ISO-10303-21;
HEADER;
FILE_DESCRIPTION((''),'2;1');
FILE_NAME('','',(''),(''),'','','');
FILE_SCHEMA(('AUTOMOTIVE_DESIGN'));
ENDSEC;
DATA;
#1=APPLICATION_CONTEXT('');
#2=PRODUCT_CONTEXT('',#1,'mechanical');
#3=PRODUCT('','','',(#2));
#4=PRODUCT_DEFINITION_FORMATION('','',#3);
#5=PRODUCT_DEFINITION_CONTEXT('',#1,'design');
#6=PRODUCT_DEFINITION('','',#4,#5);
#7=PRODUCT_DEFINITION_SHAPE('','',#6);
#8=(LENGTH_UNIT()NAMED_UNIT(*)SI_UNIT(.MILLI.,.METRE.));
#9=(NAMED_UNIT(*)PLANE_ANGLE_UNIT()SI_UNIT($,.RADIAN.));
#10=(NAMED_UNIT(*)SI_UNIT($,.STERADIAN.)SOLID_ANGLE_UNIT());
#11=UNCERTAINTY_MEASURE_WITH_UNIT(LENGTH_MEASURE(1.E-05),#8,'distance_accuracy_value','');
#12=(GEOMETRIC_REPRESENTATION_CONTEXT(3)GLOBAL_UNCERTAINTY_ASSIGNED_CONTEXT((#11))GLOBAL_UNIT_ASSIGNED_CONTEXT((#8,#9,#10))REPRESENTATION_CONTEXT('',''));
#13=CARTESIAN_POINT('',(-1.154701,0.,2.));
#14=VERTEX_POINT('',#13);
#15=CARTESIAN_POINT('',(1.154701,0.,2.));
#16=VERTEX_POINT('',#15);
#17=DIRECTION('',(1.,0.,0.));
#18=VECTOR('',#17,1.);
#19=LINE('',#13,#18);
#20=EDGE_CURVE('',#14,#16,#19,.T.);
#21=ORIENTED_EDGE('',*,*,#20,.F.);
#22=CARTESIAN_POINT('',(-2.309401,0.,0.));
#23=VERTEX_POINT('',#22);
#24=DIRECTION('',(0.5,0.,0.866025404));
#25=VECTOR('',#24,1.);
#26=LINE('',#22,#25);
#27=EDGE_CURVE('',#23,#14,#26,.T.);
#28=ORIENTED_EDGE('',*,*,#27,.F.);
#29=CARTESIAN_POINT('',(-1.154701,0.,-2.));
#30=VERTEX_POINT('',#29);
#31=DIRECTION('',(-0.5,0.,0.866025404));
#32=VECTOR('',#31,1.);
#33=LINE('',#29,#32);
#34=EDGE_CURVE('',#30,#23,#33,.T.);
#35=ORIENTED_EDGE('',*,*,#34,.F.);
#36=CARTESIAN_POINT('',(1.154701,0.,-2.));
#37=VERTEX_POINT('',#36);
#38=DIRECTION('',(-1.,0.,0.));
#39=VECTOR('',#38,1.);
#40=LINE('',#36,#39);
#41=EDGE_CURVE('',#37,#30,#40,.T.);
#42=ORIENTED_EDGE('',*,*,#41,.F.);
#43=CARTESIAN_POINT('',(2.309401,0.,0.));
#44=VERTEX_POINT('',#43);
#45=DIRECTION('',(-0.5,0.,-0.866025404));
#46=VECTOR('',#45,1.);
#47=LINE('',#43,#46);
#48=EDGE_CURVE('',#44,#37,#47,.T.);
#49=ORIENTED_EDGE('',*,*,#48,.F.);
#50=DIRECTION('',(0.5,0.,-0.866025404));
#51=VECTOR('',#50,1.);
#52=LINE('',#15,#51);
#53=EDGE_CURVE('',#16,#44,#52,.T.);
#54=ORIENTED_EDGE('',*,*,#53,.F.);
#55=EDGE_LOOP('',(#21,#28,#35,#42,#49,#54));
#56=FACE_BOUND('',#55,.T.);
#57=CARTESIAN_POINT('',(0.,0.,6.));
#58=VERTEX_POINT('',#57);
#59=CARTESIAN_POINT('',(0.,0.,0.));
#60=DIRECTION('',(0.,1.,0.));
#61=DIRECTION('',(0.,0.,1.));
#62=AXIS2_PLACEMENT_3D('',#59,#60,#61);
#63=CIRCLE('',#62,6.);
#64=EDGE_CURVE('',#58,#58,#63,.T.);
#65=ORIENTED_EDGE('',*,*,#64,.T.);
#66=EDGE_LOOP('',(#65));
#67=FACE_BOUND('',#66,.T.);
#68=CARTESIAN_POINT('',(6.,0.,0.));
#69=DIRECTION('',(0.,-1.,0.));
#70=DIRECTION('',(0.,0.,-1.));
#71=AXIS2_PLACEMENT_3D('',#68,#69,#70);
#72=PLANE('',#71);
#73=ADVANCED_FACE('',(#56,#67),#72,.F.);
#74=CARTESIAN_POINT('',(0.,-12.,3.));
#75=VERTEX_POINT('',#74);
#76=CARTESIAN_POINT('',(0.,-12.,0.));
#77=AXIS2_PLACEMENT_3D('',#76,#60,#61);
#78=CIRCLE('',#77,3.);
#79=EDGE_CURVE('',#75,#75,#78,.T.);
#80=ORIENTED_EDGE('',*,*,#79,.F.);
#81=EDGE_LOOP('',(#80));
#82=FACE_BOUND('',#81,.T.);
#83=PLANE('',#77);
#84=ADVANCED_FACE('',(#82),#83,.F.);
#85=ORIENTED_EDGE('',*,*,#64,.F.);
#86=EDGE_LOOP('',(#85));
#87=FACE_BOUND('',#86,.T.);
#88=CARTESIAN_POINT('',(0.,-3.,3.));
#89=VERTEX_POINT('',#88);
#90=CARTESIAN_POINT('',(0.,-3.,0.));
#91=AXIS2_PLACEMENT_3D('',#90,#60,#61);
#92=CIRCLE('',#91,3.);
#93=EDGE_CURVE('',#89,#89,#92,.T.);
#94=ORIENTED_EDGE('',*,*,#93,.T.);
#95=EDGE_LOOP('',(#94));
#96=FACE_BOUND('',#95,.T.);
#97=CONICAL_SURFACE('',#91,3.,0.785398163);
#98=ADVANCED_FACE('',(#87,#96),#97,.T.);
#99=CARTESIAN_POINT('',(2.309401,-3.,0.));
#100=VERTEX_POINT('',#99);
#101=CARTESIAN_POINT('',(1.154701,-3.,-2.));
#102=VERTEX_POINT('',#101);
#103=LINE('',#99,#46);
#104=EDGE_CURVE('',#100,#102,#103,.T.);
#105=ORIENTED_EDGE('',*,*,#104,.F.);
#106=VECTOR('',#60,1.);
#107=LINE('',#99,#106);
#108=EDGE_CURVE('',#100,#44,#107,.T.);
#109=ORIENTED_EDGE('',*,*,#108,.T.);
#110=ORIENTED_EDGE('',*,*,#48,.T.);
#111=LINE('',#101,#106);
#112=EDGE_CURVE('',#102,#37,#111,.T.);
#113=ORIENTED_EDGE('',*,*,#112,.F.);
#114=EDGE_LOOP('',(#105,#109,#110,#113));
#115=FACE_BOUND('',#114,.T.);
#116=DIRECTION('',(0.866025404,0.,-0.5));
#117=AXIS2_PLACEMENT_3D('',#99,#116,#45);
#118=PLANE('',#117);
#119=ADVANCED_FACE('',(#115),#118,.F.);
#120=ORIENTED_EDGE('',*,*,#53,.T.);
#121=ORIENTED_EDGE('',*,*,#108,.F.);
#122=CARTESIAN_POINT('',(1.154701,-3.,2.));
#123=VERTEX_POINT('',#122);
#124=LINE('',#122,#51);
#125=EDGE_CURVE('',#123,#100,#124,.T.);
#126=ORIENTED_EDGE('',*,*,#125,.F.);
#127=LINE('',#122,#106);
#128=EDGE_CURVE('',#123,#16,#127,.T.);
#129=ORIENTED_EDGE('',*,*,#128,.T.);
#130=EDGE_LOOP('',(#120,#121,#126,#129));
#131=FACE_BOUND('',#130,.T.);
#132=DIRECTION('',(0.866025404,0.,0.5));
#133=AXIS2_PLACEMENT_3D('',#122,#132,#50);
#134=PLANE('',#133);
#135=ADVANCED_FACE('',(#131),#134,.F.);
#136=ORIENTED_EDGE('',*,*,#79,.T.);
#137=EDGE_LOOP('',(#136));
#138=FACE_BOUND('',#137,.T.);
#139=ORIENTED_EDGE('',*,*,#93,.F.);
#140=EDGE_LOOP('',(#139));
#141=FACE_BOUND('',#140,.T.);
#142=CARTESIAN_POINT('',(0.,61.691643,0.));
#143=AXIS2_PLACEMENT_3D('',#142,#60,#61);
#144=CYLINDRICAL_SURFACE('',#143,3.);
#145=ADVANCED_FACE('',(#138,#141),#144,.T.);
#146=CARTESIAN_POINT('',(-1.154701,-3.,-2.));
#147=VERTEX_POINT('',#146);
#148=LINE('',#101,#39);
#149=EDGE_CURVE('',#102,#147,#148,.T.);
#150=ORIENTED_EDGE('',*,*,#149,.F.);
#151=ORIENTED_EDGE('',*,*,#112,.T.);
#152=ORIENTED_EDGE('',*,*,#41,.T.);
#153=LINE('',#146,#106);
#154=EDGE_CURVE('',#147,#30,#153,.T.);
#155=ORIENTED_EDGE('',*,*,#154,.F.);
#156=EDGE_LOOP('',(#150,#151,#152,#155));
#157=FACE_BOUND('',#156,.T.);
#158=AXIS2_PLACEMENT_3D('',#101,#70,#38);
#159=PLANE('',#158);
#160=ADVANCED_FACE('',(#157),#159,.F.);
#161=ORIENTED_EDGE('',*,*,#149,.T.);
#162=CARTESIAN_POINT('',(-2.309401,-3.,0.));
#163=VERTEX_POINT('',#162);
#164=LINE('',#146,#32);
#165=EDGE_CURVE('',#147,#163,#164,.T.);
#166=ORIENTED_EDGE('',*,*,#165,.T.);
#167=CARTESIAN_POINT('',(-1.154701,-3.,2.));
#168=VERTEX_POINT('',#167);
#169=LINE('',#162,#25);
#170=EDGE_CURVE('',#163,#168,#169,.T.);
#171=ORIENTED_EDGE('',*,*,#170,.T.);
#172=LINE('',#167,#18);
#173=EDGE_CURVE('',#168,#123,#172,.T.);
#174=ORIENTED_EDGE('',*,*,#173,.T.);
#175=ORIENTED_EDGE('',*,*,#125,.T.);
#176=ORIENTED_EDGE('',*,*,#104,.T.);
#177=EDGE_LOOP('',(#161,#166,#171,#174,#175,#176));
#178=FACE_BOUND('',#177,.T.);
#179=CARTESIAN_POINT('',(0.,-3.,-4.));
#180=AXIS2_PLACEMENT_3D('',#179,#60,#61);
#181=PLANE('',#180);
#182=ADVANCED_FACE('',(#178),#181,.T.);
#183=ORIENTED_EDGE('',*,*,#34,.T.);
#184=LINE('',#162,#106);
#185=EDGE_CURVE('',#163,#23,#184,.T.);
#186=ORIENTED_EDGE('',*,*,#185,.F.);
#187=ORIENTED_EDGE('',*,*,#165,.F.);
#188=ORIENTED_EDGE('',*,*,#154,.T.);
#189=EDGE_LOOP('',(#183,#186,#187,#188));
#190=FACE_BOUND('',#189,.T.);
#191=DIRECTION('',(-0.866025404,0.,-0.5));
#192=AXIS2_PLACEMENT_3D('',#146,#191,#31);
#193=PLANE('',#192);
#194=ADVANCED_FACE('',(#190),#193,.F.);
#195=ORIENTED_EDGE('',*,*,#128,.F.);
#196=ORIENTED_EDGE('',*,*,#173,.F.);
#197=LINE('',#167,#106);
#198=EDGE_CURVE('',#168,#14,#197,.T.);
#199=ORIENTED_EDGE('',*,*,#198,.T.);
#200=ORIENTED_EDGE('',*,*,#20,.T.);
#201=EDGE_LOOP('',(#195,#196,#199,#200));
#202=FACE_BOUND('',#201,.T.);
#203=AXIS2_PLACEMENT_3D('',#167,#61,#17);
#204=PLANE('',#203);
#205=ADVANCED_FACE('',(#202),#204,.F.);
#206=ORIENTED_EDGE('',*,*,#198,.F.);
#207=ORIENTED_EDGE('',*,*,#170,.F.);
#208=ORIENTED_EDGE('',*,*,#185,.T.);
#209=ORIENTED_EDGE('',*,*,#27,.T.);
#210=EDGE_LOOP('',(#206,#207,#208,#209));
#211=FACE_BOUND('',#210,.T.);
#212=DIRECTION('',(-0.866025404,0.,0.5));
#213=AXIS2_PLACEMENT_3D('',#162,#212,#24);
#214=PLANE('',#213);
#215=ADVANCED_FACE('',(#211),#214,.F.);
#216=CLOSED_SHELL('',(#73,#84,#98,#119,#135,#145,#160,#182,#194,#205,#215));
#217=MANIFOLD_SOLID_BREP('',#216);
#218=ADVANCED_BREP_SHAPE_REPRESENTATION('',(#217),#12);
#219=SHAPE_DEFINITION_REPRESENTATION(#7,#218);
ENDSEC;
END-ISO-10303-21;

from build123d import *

# Parameters (mm, degrees)
CUT_EXTRUDE1_DEPTH = 3


with BuildPart() as part:
    # Sketch1 → Revolve1 (revolve)
    with BuildSketch(Plane.XY, mode=Mode.PRIVATE) as revolve1_sk:
        Polygon((0, -12), (3, -12), (3, -3), (6, 0), (0, 0), align=None)
    revolve(revolve1_sk.sketch.rotate(Axis((0, 61.691642626, 0), (0, -1, 0)), 90), axis=Axis((0, 61.691642626, 0), (0, -1, 0)))

    # Sketch2 → Cut-Extrude1 (cut)
    with BuildSketch(Plane(origin=(0, 0, 0), x_dir=(-1, 0, 0), z_dir=(0, 1, 0))):
        Polygon((-1.154700538, -2), (1.154700538, -2), (2.309401077, 0), (1.154700538, 2), (-1.154700538, 2), (-2.309401077, 0), align=None)
    extrude(amount=-CUT_EXTRUDE1_DEPTH, mode=Mode.SUBTRACT)


solid = part.part
